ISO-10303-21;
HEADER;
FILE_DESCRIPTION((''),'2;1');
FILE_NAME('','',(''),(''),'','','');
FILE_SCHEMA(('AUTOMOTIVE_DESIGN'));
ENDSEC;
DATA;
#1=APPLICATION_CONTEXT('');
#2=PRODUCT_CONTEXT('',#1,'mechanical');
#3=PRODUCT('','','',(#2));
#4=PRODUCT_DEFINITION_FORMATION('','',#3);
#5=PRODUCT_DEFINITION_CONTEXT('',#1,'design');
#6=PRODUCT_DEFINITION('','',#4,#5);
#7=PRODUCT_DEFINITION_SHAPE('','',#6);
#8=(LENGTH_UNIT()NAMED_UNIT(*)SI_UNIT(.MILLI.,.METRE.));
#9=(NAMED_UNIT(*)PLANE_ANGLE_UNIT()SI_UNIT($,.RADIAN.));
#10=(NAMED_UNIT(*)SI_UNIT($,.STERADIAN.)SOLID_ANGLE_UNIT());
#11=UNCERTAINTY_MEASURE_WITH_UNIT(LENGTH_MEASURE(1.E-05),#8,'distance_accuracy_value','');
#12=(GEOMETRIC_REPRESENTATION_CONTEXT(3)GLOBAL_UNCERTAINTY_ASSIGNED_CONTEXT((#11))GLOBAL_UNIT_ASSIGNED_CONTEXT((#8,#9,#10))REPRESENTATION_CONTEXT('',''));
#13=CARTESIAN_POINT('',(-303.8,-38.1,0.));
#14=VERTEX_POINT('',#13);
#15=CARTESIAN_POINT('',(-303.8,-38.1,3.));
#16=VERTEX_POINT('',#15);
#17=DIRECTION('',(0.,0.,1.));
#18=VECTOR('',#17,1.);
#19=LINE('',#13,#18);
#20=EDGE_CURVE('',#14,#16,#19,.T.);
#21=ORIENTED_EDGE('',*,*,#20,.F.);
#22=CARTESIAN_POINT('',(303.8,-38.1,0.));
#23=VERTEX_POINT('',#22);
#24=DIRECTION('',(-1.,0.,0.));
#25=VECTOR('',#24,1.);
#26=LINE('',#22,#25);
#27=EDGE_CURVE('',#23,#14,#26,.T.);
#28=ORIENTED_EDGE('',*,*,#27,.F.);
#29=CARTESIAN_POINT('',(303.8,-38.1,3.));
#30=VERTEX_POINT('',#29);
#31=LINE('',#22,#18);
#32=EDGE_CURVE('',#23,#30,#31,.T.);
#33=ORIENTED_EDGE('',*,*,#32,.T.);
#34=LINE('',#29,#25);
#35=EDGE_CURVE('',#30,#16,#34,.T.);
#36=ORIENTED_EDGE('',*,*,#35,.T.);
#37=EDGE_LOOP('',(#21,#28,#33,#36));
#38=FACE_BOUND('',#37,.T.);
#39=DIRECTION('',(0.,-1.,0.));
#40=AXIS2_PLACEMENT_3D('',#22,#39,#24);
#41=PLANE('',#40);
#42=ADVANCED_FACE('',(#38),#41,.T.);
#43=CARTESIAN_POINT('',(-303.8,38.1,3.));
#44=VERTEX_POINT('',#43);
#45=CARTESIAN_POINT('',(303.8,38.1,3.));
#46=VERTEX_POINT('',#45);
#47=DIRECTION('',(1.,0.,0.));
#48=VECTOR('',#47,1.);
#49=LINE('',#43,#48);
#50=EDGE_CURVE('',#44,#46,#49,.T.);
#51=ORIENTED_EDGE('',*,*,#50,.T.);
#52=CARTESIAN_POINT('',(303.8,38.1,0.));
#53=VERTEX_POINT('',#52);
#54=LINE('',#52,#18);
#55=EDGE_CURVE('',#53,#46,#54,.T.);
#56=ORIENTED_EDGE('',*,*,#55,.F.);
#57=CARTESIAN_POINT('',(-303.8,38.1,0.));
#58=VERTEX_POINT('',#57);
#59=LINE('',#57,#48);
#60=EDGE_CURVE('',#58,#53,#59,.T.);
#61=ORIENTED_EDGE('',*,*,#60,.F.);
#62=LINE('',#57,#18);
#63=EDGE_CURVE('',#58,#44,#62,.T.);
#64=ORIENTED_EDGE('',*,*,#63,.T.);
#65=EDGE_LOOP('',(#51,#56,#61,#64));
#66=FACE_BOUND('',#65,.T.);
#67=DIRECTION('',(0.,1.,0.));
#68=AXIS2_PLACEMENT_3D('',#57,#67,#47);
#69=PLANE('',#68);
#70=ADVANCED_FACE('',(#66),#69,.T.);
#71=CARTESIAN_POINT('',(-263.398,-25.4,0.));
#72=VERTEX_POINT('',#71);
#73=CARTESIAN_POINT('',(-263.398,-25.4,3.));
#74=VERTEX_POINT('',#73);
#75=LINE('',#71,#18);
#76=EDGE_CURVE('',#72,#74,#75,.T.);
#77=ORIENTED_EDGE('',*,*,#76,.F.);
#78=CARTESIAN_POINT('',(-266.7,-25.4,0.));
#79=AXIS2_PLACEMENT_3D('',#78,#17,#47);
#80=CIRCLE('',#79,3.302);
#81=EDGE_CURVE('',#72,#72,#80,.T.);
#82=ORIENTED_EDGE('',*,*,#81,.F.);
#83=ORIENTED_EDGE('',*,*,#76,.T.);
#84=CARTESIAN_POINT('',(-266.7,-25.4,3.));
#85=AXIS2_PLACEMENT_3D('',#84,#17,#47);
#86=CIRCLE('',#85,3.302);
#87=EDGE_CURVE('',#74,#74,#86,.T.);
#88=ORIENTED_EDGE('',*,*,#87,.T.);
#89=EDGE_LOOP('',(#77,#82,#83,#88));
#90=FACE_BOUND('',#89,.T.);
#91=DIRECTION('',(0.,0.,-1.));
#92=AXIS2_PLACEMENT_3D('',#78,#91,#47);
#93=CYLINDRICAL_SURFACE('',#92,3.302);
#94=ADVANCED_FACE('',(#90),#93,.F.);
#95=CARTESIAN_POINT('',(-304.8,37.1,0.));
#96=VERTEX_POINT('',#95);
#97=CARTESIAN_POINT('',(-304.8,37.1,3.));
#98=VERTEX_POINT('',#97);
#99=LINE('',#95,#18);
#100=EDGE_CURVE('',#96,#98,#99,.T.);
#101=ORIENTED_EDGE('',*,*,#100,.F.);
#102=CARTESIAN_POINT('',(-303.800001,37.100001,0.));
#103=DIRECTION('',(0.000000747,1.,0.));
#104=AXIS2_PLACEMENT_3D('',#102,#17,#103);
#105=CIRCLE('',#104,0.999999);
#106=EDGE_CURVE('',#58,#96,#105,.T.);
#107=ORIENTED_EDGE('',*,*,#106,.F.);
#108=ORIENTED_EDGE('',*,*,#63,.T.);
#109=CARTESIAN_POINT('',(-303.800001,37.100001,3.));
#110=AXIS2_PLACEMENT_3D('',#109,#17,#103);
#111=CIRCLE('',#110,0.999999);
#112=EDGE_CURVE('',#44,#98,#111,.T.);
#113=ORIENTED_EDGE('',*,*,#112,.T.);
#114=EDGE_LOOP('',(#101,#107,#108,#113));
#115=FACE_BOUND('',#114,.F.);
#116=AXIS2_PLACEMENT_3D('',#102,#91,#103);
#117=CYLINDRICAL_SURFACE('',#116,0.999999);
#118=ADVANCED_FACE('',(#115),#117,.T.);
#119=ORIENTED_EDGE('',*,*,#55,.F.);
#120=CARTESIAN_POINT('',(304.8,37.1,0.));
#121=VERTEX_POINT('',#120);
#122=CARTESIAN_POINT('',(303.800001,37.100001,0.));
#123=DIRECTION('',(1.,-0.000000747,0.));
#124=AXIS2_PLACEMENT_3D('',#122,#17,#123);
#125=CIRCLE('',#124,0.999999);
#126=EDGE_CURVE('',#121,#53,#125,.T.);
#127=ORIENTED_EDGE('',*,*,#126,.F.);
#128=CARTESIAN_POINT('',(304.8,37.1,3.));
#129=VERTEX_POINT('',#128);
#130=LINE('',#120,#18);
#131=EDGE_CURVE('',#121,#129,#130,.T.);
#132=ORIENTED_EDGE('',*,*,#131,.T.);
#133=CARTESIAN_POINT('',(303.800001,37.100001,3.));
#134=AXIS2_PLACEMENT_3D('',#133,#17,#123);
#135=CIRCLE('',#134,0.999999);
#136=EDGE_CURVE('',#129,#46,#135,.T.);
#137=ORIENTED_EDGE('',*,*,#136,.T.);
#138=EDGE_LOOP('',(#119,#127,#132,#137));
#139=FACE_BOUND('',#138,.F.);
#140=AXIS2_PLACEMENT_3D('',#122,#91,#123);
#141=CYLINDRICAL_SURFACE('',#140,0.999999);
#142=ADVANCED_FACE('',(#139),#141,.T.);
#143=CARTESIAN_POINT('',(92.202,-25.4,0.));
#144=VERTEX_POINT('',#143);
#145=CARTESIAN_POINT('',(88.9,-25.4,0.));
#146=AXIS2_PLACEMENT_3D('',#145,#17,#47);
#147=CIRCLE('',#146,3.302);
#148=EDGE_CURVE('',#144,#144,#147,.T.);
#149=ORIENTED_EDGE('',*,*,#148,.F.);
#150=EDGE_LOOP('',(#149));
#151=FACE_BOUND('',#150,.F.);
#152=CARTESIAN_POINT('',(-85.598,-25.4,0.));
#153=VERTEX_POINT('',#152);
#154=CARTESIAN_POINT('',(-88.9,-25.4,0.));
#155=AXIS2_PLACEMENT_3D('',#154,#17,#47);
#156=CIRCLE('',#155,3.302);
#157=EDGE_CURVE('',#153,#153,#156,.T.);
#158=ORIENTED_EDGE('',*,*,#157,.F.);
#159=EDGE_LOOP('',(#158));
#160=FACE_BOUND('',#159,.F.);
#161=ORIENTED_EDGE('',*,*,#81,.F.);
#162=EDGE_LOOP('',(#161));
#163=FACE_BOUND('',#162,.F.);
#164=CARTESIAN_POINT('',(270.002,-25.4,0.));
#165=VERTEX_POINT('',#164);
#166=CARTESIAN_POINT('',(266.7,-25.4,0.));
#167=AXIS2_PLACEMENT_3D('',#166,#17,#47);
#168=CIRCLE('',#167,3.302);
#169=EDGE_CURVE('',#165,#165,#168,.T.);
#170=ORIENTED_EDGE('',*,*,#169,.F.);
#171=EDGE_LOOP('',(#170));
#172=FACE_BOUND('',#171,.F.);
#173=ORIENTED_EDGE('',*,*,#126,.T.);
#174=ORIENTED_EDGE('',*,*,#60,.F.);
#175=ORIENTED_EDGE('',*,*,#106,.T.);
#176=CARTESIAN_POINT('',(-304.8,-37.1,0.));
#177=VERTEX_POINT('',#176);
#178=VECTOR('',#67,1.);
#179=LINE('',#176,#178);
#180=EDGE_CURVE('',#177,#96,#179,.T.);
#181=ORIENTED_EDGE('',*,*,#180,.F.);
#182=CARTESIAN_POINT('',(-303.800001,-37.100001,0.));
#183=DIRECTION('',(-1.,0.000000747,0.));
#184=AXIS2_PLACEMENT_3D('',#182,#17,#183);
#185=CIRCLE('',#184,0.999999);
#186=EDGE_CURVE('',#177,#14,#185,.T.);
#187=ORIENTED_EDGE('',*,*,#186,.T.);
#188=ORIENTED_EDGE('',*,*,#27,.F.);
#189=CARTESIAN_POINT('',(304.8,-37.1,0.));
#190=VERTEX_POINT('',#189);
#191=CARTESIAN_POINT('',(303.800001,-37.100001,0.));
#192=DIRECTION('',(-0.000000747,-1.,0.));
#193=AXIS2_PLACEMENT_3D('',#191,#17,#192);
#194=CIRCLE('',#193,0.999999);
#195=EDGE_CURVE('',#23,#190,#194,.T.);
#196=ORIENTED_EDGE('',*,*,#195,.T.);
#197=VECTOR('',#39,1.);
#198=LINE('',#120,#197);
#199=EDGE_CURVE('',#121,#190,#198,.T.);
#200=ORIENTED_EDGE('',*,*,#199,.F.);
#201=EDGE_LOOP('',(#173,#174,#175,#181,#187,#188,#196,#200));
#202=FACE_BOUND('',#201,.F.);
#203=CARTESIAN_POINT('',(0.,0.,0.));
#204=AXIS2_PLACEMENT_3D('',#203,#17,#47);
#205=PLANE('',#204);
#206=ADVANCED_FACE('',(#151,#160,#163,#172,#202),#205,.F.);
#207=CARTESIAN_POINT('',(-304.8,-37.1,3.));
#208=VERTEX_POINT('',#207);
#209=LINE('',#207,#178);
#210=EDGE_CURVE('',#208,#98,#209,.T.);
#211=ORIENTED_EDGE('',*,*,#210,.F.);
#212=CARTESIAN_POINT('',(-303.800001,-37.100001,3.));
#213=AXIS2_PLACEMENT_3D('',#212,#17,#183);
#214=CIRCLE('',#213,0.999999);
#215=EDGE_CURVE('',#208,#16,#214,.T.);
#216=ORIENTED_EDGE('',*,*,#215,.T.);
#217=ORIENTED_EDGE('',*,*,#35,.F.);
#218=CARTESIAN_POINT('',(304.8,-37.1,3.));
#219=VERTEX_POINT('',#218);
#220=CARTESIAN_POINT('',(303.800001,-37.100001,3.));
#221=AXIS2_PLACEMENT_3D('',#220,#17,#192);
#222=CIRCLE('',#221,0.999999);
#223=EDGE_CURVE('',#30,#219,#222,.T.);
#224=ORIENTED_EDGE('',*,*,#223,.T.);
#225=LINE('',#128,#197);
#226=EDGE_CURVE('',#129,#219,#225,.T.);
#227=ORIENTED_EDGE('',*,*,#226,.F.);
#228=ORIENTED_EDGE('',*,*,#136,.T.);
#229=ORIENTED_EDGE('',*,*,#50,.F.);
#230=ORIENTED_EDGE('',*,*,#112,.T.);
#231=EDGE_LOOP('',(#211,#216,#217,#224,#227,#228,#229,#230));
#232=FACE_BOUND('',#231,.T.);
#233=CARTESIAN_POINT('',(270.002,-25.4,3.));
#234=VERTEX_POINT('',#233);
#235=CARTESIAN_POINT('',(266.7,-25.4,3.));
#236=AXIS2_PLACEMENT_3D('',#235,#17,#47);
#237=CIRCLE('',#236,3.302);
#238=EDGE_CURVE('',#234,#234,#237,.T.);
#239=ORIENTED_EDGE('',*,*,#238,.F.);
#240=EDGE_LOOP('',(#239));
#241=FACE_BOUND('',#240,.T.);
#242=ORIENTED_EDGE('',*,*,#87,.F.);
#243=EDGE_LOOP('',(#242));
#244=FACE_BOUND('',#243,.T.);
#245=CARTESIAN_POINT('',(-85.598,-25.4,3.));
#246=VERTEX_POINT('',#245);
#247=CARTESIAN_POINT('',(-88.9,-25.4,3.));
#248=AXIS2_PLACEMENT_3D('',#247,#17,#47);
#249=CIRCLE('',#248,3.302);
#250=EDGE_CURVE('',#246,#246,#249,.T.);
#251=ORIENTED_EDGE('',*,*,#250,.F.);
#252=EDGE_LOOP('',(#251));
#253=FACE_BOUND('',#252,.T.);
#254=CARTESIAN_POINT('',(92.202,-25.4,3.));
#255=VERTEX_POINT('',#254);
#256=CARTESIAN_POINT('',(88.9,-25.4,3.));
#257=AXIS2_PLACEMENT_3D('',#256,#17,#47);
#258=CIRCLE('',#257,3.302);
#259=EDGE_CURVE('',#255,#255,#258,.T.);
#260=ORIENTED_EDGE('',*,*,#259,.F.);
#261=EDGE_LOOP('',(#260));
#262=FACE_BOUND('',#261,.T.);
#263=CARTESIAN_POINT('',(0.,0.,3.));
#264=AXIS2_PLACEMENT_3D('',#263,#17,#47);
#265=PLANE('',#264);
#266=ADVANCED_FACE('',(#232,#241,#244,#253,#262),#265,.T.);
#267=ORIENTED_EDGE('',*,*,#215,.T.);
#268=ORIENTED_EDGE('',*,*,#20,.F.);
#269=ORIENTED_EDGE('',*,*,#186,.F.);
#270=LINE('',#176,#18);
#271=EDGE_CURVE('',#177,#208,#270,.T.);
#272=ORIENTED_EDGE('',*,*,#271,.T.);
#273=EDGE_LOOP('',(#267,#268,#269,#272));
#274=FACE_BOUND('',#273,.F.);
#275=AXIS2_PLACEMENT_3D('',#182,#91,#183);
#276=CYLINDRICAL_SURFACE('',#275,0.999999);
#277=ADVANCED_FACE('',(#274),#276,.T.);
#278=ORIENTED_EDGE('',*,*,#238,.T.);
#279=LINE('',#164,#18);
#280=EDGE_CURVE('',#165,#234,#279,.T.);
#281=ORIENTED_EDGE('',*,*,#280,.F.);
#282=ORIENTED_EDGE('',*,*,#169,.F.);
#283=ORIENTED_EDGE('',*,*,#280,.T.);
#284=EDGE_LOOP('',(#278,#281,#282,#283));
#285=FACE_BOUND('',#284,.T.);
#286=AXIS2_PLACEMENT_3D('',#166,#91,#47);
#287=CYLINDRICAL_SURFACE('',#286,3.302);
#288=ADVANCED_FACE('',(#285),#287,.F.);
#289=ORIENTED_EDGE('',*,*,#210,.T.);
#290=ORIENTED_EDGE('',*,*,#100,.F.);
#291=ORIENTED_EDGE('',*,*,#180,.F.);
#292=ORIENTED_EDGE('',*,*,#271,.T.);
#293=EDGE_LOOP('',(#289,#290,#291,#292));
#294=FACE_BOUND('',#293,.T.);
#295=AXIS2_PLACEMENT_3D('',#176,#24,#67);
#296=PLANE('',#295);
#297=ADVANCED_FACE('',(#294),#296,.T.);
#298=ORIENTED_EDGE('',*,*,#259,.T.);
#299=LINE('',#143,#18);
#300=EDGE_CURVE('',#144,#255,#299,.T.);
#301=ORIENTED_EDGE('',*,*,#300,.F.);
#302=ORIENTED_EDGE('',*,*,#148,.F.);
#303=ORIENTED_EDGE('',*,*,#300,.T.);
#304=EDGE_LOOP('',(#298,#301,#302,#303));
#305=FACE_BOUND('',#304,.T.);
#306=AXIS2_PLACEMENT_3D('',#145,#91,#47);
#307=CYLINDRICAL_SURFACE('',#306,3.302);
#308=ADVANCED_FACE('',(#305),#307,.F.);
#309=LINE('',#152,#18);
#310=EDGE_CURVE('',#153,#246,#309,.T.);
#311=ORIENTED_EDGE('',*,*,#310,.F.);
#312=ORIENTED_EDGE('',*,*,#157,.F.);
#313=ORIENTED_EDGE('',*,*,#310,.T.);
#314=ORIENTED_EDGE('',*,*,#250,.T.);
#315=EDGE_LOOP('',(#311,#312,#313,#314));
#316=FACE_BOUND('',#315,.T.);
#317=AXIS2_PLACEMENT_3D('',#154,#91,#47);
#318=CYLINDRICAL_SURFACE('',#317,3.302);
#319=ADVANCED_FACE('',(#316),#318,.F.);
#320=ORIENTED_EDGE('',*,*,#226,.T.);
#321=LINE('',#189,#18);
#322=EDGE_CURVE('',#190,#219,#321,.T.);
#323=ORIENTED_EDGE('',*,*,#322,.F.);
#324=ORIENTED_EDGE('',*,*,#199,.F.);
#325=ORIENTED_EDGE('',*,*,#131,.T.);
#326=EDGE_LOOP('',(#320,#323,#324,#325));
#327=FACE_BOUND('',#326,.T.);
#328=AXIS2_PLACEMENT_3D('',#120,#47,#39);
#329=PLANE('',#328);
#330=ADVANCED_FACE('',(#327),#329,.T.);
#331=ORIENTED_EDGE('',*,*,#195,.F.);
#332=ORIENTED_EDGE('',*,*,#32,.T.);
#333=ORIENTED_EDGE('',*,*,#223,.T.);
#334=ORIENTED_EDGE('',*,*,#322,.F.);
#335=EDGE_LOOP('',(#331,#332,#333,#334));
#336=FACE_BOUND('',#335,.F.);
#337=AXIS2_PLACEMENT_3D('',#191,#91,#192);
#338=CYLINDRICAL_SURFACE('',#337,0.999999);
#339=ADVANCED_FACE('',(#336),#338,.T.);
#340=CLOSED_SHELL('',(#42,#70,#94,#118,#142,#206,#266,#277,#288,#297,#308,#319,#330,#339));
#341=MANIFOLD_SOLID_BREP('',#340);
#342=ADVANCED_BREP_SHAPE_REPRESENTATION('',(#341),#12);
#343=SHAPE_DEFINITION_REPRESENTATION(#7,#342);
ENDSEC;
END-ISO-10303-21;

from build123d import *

# Parameters (mm, degrees)
SKETCH_R  = 3.302
PAD_DEPTH = 3


with BuildPart() as part:
    # Sketch → Pad (new body)
    with BuildSketch(Plane.XY):
        with BuildLine():
            ThreePointArc((-303.8, 38.1), (-304.507107, 37.807107), (-304.8, 37.1))
            Line((-304.8, -37.1), (-304.8, 37.1))
            ThreePointArc((-304.8, -37.1), (-304.507107, -37.807107), (-303.8, -38.1))
            Line((303.8, -38.1), (-303.8, -38.1))
            ThreePointArc((303.8, -38.1), (304.507107, -37.807107), (304.8, -37.1))
            Line((304.8, 37.1), (304.8, -37.1))
            ThreePointArc((304.8, 37.1), (304.507107, 37.807107), (303.8, 38.1))
            Line((-303.8, 38.1), (303.8, 38.1))
        make_face()
        with Locations((-266.7, -25.4)):
            Circle(SKETCH_R, mode=Mode.SUBTRACT)
        with Locations((-88.9, -25.4)):
            Circle(SKETCH_R, mode=Mode.SUBTRACT)
        with Locations((88.9, -25.4)):
            Circle(SKETCH_R, mode=Mode.SUBTRACT)
        with Locations((266.7, -25.4)):
            Circle(SKETCH_R, mode=Mode.SUBTRACT)
    extrude(amount=PAD_DEPTH)


solid = part.part
